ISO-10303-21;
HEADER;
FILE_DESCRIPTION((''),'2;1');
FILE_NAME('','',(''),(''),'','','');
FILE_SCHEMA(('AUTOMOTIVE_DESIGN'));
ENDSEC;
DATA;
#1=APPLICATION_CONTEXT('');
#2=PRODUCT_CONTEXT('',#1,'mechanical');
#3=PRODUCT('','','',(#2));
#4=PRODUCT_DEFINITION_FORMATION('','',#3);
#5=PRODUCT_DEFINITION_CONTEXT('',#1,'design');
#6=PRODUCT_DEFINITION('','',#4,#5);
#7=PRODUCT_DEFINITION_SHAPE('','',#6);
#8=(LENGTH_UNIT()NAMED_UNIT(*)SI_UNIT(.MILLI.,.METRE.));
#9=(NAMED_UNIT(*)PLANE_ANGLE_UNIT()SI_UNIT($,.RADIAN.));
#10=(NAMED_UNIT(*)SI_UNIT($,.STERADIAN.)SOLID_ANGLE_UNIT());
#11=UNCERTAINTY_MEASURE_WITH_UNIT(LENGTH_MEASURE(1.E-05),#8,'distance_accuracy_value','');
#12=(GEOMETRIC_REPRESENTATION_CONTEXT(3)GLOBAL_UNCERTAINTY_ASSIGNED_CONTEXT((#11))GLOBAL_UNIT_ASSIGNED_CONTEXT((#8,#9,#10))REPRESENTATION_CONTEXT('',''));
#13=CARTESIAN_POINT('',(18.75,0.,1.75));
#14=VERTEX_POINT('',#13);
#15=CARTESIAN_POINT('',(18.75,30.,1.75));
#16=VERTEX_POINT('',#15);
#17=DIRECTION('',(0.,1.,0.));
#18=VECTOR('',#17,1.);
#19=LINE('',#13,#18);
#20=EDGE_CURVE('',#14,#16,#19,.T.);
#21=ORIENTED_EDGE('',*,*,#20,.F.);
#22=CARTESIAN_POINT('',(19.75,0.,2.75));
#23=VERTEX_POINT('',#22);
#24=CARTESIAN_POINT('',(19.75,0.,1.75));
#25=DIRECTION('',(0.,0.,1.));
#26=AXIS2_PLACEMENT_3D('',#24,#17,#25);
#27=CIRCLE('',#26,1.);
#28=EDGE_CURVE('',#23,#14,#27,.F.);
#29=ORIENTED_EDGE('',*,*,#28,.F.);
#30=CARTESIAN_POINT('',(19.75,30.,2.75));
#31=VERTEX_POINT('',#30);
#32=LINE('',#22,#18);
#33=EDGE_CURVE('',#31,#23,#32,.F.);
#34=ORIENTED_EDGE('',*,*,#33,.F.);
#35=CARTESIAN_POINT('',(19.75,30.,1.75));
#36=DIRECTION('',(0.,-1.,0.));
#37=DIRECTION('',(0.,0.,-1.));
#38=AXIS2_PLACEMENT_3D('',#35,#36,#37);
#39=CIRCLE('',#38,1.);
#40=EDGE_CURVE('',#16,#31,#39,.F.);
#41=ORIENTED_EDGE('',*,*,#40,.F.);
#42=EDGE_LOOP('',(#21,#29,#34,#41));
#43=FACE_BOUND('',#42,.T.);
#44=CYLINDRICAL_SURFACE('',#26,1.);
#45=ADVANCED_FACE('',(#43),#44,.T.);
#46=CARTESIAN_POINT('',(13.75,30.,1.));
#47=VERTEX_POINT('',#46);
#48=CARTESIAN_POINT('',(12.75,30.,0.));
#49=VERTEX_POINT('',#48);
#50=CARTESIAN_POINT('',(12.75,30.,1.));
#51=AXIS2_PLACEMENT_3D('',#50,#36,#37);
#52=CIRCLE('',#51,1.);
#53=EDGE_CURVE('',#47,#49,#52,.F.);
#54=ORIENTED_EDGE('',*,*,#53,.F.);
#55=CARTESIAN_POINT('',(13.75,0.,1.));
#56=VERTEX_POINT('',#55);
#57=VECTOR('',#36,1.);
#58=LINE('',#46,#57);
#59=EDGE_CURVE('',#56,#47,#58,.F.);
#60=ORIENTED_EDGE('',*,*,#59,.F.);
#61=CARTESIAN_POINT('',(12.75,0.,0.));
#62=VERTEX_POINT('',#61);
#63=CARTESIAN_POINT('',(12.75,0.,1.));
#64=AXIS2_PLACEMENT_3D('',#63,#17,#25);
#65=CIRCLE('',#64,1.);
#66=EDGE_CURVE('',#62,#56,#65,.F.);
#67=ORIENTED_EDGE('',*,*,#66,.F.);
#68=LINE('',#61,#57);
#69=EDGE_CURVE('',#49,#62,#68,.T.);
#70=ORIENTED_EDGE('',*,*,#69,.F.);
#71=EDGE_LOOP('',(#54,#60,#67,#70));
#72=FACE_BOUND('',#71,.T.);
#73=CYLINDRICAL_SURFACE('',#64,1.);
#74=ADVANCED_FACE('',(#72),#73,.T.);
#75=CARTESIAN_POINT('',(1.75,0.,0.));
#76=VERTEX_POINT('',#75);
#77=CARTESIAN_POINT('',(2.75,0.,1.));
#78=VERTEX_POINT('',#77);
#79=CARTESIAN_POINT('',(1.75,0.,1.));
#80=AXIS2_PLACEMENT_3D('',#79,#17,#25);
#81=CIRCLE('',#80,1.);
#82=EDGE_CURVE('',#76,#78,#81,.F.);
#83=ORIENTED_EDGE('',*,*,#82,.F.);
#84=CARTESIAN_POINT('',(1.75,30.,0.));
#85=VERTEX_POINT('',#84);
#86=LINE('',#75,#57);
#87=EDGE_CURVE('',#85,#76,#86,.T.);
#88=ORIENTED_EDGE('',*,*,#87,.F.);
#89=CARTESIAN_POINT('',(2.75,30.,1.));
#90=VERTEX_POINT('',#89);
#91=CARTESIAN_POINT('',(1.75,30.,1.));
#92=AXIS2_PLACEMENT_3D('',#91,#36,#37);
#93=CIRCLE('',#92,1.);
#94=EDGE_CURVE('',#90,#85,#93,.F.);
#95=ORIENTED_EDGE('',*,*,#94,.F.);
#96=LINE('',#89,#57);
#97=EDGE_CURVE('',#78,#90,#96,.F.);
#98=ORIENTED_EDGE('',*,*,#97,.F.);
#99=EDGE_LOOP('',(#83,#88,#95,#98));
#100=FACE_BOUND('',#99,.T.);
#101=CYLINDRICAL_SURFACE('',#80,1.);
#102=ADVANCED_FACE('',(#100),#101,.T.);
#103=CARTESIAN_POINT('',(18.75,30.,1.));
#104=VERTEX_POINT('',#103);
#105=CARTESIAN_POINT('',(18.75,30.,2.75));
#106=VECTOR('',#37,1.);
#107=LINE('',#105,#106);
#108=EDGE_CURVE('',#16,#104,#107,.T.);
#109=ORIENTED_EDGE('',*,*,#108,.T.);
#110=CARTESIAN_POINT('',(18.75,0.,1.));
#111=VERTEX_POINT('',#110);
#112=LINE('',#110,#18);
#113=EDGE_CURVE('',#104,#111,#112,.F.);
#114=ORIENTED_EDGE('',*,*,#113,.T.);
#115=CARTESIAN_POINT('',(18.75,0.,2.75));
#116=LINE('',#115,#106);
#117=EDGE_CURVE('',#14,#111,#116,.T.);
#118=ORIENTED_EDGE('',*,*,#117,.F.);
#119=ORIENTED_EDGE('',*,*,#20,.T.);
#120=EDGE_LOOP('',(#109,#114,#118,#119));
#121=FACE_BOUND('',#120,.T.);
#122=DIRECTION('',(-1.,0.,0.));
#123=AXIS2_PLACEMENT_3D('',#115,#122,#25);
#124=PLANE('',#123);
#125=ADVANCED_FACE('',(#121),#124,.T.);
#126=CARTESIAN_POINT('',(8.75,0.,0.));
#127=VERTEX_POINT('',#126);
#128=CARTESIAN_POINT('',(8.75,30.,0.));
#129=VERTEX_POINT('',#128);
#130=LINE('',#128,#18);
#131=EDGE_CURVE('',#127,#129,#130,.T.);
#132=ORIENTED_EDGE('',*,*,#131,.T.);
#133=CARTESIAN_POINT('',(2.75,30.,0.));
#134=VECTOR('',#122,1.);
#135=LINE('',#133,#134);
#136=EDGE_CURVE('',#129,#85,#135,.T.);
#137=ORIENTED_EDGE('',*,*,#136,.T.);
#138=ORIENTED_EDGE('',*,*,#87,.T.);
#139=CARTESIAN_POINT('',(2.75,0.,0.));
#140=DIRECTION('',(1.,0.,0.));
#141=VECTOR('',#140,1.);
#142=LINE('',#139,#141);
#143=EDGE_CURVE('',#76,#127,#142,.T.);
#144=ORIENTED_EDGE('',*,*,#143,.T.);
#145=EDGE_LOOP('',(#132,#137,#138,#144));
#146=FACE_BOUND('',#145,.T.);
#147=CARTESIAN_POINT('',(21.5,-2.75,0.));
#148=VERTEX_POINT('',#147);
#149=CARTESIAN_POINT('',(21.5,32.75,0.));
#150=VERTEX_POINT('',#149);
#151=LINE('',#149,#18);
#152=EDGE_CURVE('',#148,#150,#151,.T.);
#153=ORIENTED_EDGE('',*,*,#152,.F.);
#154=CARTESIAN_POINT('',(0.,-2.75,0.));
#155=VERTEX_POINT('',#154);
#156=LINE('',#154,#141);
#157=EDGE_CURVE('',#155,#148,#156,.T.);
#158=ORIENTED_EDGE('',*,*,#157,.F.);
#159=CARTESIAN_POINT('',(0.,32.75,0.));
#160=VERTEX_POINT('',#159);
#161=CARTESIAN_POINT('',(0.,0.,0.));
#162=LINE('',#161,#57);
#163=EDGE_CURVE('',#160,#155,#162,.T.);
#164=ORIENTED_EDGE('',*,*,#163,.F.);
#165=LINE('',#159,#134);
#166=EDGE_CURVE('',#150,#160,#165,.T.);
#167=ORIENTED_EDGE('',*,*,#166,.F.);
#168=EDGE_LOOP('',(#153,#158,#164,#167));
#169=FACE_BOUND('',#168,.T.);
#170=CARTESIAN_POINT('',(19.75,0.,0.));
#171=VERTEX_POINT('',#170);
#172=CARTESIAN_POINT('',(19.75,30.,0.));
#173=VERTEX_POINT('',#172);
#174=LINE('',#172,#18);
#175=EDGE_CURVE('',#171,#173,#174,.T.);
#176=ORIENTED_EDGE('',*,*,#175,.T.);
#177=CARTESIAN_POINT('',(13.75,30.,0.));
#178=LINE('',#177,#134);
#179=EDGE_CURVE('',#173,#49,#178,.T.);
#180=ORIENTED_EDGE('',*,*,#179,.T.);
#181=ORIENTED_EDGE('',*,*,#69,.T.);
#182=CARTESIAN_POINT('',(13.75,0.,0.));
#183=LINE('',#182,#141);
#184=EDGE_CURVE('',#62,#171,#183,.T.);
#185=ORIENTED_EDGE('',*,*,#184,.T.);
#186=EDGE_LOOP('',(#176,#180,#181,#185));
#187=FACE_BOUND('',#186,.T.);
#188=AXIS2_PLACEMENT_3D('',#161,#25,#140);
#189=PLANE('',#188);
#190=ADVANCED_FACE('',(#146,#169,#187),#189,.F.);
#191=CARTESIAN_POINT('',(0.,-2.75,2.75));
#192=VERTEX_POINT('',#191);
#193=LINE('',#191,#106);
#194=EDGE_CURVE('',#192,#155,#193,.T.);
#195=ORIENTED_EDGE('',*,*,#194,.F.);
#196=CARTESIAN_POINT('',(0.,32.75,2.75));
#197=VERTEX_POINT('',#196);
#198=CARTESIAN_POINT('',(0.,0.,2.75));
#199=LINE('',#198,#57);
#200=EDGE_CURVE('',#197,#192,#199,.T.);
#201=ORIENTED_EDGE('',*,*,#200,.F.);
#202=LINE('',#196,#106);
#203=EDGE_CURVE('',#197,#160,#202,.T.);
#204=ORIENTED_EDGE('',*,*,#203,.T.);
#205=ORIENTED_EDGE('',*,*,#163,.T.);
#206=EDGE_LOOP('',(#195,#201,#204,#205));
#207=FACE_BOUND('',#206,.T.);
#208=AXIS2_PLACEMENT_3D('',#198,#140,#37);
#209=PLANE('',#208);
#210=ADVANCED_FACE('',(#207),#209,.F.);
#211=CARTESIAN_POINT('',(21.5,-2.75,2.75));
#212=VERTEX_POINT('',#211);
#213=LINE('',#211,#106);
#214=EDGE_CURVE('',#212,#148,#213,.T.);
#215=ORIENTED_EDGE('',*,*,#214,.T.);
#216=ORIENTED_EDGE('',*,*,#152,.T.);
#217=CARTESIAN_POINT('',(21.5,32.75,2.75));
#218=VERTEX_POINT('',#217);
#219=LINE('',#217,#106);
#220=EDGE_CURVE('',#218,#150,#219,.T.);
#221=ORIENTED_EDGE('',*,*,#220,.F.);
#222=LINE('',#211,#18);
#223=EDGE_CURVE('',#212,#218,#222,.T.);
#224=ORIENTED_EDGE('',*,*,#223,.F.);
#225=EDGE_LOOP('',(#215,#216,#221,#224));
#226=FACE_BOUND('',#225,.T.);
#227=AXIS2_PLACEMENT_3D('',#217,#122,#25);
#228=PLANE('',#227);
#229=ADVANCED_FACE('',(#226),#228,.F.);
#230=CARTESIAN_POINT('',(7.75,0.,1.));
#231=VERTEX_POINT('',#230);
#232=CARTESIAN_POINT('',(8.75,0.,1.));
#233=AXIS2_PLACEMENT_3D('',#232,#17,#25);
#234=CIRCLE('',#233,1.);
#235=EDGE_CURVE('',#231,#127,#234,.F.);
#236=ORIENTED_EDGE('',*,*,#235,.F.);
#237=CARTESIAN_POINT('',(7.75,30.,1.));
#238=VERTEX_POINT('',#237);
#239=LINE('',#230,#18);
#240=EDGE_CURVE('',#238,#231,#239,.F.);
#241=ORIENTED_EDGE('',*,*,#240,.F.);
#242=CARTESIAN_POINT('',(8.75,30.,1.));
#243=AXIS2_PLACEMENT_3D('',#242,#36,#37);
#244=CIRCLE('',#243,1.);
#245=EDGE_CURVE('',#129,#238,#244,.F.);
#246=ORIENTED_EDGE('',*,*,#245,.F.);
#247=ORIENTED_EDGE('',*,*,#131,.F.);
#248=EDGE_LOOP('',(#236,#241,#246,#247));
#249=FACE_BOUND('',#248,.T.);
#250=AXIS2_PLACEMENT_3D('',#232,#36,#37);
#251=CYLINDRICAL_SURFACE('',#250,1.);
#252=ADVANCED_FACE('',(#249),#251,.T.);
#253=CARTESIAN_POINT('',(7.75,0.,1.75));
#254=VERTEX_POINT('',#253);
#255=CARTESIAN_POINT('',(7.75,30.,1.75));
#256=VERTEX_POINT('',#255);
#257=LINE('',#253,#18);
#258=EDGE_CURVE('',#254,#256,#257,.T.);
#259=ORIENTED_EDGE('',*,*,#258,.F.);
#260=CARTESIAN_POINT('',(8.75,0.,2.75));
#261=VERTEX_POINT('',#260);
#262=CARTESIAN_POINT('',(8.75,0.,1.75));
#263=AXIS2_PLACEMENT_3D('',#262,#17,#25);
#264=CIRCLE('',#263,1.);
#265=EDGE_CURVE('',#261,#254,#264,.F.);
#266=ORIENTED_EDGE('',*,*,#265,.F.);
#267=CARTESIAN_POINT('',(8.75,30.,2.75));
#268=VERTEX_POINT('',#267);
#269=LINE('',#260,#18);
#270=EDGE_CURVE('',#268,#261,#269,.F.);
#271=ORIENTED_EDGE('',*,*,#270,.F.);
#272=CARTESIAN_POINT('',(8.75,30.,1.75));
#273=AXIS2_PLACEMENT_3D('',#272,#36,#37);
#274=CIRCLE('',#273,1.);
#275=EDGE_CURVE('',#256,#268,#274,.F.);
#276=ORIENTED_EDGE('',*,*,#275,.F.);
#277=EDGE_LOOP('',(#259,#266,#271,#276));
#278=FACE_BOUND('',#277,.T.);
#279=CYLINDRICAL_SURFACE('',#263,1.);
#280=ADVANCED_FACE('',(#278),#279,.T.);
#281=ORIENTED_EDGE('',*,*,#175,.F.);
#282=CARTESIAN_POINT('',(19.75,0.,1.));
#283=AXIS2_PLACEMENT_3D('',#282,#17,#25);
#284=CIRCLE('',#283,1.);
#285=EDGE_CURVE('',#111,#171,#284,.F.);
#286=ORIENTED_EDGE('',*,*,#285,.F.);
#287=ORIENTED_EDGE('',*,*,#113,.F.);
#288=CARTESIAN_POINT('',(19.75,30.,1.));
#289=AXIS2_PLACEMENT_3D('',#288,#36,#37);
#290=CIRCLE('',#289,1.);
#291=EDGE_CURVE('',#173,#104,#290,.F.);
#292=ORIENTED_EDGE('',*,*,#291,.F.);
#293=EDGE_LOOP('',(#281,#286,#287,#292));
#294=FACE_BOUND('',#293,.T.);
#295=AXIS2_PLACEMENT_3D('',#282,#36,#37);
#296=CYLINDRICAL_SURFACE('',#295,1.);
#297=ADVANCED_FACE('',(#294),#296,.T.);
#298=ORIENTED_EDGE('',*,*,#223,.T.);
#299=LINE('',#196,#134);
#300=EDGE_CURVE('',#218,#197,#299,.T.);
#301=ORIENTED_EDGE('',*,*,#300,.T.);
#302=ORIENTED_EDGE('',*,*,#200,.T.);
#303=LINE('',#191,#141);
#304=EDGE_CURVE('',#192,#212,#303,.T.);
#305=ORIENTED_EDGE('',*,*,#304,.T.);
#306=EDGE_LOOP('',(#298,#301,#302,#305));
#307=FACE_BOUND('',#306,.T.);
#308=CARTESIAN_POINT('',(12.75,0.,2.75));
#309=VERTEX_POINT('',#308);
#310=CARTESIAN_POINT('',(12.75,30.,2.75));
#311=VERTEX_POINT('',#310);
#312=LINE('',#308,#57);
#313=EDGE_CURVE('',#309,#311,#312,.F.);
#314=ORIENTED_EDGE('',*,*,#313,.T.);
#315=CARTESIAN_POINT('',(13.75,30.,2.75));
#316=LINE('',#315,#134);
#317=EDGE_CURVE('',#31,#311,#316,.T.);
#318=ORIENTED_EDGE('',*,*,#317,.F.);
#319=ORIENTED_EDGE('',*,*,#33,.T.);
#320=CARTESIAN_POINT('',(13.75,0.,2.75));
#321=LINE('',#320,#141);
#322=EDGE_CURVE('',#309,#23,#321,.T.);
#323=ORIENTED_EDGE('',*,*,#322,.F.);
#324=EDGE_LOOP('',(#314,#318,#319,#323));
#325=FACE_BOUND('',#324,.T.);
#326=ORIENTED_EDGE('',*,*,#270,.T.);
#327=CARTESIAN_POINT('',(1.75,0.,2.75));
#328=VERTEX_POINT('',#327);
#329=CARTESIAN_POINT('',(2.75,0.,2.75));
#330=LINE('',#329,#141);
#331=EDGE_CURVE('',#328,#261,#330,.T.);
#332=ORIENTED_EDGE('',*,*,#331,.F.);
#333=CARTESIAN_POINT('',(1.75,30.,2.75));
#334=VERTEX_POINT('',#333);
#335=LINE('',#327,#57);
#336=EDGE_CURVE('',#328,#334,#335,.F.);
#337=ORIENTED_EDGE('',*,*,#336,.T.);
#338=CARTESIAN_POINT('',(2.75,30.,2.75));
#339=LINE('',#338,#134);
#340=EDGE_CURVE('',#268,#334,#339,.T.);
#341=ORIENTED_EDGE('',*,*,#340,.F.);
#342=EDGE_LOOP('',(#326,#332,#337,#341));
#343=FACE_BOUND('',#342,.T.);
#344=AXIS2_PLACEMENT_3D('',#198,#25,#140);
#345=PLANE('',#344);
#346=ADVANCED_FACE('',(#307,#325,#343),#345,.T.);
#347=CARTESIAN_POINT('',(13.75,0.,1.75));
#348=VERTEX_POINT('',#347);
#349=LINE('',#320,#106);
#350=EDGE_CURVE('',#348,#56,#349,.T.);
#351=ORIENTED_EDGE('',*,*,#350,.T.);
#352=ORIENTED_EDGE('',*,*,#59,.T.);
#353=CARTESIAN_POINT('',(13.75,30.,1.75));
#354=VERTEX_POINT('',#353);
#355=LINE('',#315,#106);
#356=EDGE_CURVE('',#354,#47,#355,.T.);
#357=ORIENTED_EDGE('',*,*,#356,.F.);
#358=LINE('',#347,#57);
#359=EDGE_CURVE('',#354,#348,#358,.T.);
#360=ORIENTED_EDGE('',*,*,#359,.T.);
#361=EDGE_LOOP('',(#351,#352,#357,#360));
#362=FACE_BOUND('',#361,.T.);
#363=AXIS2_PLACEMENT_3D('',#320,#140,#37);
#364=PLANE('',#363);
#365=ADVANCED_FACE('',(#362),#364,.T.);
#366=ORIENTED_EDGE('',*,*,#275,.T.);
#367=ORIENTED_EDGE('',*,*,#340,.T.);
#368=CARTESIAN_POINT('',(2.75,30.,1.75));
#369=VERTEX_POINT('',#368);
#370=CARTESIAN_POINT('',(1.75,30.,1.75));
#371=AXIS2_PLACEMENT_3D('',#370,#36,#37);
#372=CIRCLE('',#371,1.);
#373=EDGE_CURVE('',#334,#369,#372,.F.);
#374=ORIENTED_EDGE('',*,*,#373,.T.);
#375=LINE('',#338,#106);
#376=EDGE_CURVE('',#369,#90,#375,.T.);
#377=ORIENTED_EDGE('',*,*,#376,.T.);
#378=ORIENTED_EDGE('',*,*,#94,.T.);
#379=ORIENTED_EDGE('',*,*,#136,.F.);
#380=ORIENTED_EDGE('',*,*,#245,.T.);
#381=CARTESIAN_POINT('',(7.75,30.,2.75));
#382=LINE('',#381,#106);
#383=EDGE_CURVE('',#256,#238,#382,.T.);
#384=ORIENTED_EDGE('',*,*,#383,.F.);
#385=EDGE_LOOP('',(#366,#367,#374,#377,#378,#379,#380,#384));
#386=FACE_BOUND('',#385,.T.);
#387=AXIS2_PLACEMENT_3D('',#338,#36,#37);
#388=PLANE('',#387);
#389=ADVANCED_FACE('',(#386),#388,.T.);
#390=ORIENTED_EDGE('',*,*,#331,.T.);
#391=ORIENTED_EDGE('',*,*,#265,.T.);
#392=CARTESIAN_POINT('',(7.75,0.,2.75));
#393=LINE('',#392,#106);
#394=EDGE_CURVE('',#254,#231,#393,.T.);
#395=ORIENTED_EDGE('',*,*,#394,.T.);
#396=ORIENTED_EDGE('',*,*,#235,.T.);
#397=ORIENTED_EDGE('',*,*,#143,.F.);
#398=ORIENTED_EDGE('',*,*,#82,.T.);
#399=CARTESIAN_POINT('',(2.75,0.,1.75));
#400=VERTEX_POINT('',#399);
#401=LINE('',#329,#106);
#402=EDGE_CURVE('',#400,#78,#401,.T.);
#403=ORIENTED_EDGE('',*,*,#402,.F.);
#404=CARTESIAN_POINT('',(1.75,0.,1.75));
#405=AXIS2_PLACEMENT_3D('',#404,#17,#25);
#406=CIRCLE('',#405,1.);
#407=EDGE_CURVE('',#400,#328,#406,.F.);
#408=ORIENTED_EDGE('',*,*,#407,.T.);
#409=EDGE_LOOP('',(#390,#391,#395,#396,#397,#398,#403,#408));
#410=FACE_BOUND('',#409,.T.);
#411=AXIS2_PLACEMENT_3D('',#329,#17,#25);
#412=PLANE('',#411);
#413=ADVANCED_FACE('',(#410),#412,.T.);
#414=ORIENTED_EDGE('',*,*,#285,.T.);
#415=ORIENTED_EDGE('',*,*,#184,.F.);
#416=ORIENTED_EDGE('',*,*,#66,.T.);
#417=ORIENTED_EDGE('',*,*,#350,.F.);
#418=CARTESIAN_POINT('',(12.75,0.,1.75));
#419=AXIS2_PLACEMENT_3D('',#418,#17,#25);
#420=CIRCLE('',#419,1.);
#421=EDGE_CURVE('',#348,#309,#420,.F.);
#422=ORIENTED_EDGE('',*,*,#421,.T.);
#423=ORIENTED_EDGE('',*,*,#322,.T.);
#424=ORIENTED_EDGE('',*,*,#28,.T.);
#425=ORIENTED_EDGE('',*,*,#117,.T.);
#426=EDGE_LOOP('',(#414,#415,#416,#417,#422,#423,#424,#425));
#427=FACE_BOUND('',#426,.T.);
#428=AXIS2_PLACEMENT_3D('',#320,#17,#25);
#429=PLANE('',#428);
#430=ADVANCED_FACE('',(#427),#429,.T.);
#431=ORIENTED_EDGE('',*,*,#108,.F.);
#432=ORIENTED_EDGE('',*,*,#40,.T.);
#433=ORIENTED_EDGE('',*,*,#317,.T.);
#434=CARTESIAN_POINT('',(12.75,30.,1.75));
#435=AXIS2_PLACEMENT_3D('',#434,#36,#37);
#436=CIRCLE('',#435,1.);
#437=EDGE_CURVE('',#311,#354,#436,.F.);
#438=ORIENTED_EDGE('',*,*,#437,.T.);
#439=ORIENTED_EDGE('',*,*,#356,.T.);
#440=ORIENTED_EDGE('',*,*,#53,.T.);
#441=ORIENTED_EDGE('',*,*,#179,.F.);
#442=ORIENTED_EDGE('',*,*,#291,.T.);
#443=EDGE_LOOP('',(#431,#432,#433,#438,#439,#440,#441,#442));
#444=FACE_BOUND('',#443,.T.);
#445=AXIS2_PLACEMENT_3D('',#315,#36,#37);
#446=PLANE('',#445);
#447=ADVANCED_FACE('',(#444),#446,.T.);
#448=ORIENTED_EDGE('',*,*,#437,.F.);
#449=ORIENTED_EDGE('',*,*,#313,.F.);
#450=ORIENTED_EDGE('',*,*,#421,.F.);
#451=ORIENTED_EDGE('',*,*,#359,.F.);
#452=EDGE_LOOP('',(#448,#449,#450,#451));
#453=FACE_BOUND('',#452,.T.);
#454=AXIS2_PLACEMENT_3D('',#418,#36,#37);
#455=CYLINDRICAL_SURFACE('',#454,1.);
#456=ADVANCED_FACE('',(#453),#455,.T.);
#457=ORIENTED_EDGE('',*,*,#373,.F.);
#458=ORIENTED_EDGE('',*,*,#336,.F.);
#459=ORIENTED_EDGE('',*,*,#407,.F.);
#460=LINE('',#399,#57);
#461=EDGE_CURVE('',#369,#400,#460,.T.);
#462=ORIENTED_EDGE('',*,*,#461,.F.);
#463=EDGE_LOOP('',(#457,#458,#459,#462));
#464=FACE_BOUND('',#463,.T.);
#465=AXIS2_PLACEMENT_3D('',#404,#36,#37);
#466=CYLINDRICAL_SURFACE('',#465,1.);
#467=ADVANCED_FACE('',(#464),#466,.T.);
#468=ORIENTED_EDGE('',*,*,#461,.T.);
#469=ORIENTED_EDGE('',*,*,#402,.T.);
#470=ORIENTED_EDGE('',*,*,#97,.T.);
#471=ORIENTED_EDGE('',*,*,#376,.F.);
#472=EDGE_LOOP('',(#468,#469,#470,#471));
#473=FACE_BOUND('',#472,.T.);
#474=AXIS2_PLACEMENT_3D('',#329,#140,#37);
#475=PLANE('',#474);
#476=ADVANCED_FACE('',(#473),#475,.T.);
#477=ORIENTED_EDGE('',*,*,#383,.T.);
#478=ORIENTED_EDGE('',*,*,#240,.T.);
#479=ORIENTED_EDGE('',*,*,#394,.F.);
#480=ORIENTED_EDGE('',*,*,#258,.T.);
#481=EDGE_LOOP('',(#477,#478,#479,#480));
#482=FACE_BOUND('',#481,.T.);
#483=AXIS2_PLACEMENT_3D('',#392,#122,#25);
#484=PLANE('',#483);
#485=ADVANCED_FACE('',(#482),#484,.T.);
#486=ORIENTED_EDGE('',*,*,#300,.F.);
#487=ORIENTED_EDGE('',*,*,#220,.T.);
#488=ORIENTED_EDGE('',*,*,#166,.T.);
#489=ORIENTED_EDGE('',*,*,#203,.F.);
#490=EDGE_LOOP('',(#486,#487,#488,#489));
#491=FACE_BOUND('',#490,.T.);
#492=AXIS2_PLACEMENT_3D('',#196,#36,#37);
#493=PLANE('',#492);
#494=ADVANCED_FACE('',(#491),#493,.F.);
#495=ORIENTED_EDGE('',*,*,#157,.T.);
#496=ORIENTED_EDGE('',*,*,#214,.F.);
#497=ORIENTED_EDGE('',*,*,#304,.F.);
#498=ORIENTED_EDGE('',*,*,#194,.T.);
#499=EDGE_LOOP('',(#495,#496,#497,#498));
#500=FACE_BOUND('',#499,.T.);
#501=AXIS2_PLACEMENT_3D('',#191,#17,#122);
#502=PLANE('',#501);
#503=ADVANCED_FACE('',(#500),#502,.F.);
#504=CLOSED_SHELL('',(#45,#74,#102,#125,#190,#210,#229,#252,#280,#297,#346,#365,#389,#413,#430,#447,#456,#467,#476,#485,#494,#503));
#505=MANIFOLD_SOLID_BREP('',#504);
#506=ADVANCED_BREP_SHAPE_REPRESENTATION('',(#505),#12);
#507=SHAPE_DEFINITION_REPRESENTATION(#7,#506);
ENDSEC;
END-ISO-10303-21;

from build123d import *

# Parameters (mm, degrees)
SKETCH1_W           = 5
SKETCH1_H           = 30
BOSS_EXTRUDE1_DEPTH = 2.75
FILLET1_R           = 1


with BuildPart() as part:
    # Sketch1 → Boss-Extrude1 (new body)
    with BuildSketch(Plane.XY):
        Polygon((0, 30), (0, 32.75), (21.5, 32.75), (21.5, 30), (21.5, 0), (21.5, -2.75), (0, -2.75), (0, 0), align=None)
        with Locations((5.25, 15)):
            Rectangle(SKETCH1_W, SKETCH1_H, mode=Mode.SUBTRACT)
        with Locations((16.25, 15)):
            Rectangle(SKETCH1_W, SKETCH1_H, mode=Mode.SUBTRACT)
    extrude(amount=BOSS_EXTRUDE1_DEPTH)

    # Fillet1
    fillet1_edges = [part.edges().sort_by_distance(p)[0] for p in [
        (2.75, 15, 0),
        (7.75, 15, 0),
        (2.75, 15, 2.75),
        (7.75, 15, 2.75),
        (13.75, 15, 0),
        (18.75, 15, 0),
        (13.75, 15, 2.75),
        (18.75, 15, 2.75),
    ]]
    fillet(fillet1_edges, radius=FILLET1_R)


solid = part.part
